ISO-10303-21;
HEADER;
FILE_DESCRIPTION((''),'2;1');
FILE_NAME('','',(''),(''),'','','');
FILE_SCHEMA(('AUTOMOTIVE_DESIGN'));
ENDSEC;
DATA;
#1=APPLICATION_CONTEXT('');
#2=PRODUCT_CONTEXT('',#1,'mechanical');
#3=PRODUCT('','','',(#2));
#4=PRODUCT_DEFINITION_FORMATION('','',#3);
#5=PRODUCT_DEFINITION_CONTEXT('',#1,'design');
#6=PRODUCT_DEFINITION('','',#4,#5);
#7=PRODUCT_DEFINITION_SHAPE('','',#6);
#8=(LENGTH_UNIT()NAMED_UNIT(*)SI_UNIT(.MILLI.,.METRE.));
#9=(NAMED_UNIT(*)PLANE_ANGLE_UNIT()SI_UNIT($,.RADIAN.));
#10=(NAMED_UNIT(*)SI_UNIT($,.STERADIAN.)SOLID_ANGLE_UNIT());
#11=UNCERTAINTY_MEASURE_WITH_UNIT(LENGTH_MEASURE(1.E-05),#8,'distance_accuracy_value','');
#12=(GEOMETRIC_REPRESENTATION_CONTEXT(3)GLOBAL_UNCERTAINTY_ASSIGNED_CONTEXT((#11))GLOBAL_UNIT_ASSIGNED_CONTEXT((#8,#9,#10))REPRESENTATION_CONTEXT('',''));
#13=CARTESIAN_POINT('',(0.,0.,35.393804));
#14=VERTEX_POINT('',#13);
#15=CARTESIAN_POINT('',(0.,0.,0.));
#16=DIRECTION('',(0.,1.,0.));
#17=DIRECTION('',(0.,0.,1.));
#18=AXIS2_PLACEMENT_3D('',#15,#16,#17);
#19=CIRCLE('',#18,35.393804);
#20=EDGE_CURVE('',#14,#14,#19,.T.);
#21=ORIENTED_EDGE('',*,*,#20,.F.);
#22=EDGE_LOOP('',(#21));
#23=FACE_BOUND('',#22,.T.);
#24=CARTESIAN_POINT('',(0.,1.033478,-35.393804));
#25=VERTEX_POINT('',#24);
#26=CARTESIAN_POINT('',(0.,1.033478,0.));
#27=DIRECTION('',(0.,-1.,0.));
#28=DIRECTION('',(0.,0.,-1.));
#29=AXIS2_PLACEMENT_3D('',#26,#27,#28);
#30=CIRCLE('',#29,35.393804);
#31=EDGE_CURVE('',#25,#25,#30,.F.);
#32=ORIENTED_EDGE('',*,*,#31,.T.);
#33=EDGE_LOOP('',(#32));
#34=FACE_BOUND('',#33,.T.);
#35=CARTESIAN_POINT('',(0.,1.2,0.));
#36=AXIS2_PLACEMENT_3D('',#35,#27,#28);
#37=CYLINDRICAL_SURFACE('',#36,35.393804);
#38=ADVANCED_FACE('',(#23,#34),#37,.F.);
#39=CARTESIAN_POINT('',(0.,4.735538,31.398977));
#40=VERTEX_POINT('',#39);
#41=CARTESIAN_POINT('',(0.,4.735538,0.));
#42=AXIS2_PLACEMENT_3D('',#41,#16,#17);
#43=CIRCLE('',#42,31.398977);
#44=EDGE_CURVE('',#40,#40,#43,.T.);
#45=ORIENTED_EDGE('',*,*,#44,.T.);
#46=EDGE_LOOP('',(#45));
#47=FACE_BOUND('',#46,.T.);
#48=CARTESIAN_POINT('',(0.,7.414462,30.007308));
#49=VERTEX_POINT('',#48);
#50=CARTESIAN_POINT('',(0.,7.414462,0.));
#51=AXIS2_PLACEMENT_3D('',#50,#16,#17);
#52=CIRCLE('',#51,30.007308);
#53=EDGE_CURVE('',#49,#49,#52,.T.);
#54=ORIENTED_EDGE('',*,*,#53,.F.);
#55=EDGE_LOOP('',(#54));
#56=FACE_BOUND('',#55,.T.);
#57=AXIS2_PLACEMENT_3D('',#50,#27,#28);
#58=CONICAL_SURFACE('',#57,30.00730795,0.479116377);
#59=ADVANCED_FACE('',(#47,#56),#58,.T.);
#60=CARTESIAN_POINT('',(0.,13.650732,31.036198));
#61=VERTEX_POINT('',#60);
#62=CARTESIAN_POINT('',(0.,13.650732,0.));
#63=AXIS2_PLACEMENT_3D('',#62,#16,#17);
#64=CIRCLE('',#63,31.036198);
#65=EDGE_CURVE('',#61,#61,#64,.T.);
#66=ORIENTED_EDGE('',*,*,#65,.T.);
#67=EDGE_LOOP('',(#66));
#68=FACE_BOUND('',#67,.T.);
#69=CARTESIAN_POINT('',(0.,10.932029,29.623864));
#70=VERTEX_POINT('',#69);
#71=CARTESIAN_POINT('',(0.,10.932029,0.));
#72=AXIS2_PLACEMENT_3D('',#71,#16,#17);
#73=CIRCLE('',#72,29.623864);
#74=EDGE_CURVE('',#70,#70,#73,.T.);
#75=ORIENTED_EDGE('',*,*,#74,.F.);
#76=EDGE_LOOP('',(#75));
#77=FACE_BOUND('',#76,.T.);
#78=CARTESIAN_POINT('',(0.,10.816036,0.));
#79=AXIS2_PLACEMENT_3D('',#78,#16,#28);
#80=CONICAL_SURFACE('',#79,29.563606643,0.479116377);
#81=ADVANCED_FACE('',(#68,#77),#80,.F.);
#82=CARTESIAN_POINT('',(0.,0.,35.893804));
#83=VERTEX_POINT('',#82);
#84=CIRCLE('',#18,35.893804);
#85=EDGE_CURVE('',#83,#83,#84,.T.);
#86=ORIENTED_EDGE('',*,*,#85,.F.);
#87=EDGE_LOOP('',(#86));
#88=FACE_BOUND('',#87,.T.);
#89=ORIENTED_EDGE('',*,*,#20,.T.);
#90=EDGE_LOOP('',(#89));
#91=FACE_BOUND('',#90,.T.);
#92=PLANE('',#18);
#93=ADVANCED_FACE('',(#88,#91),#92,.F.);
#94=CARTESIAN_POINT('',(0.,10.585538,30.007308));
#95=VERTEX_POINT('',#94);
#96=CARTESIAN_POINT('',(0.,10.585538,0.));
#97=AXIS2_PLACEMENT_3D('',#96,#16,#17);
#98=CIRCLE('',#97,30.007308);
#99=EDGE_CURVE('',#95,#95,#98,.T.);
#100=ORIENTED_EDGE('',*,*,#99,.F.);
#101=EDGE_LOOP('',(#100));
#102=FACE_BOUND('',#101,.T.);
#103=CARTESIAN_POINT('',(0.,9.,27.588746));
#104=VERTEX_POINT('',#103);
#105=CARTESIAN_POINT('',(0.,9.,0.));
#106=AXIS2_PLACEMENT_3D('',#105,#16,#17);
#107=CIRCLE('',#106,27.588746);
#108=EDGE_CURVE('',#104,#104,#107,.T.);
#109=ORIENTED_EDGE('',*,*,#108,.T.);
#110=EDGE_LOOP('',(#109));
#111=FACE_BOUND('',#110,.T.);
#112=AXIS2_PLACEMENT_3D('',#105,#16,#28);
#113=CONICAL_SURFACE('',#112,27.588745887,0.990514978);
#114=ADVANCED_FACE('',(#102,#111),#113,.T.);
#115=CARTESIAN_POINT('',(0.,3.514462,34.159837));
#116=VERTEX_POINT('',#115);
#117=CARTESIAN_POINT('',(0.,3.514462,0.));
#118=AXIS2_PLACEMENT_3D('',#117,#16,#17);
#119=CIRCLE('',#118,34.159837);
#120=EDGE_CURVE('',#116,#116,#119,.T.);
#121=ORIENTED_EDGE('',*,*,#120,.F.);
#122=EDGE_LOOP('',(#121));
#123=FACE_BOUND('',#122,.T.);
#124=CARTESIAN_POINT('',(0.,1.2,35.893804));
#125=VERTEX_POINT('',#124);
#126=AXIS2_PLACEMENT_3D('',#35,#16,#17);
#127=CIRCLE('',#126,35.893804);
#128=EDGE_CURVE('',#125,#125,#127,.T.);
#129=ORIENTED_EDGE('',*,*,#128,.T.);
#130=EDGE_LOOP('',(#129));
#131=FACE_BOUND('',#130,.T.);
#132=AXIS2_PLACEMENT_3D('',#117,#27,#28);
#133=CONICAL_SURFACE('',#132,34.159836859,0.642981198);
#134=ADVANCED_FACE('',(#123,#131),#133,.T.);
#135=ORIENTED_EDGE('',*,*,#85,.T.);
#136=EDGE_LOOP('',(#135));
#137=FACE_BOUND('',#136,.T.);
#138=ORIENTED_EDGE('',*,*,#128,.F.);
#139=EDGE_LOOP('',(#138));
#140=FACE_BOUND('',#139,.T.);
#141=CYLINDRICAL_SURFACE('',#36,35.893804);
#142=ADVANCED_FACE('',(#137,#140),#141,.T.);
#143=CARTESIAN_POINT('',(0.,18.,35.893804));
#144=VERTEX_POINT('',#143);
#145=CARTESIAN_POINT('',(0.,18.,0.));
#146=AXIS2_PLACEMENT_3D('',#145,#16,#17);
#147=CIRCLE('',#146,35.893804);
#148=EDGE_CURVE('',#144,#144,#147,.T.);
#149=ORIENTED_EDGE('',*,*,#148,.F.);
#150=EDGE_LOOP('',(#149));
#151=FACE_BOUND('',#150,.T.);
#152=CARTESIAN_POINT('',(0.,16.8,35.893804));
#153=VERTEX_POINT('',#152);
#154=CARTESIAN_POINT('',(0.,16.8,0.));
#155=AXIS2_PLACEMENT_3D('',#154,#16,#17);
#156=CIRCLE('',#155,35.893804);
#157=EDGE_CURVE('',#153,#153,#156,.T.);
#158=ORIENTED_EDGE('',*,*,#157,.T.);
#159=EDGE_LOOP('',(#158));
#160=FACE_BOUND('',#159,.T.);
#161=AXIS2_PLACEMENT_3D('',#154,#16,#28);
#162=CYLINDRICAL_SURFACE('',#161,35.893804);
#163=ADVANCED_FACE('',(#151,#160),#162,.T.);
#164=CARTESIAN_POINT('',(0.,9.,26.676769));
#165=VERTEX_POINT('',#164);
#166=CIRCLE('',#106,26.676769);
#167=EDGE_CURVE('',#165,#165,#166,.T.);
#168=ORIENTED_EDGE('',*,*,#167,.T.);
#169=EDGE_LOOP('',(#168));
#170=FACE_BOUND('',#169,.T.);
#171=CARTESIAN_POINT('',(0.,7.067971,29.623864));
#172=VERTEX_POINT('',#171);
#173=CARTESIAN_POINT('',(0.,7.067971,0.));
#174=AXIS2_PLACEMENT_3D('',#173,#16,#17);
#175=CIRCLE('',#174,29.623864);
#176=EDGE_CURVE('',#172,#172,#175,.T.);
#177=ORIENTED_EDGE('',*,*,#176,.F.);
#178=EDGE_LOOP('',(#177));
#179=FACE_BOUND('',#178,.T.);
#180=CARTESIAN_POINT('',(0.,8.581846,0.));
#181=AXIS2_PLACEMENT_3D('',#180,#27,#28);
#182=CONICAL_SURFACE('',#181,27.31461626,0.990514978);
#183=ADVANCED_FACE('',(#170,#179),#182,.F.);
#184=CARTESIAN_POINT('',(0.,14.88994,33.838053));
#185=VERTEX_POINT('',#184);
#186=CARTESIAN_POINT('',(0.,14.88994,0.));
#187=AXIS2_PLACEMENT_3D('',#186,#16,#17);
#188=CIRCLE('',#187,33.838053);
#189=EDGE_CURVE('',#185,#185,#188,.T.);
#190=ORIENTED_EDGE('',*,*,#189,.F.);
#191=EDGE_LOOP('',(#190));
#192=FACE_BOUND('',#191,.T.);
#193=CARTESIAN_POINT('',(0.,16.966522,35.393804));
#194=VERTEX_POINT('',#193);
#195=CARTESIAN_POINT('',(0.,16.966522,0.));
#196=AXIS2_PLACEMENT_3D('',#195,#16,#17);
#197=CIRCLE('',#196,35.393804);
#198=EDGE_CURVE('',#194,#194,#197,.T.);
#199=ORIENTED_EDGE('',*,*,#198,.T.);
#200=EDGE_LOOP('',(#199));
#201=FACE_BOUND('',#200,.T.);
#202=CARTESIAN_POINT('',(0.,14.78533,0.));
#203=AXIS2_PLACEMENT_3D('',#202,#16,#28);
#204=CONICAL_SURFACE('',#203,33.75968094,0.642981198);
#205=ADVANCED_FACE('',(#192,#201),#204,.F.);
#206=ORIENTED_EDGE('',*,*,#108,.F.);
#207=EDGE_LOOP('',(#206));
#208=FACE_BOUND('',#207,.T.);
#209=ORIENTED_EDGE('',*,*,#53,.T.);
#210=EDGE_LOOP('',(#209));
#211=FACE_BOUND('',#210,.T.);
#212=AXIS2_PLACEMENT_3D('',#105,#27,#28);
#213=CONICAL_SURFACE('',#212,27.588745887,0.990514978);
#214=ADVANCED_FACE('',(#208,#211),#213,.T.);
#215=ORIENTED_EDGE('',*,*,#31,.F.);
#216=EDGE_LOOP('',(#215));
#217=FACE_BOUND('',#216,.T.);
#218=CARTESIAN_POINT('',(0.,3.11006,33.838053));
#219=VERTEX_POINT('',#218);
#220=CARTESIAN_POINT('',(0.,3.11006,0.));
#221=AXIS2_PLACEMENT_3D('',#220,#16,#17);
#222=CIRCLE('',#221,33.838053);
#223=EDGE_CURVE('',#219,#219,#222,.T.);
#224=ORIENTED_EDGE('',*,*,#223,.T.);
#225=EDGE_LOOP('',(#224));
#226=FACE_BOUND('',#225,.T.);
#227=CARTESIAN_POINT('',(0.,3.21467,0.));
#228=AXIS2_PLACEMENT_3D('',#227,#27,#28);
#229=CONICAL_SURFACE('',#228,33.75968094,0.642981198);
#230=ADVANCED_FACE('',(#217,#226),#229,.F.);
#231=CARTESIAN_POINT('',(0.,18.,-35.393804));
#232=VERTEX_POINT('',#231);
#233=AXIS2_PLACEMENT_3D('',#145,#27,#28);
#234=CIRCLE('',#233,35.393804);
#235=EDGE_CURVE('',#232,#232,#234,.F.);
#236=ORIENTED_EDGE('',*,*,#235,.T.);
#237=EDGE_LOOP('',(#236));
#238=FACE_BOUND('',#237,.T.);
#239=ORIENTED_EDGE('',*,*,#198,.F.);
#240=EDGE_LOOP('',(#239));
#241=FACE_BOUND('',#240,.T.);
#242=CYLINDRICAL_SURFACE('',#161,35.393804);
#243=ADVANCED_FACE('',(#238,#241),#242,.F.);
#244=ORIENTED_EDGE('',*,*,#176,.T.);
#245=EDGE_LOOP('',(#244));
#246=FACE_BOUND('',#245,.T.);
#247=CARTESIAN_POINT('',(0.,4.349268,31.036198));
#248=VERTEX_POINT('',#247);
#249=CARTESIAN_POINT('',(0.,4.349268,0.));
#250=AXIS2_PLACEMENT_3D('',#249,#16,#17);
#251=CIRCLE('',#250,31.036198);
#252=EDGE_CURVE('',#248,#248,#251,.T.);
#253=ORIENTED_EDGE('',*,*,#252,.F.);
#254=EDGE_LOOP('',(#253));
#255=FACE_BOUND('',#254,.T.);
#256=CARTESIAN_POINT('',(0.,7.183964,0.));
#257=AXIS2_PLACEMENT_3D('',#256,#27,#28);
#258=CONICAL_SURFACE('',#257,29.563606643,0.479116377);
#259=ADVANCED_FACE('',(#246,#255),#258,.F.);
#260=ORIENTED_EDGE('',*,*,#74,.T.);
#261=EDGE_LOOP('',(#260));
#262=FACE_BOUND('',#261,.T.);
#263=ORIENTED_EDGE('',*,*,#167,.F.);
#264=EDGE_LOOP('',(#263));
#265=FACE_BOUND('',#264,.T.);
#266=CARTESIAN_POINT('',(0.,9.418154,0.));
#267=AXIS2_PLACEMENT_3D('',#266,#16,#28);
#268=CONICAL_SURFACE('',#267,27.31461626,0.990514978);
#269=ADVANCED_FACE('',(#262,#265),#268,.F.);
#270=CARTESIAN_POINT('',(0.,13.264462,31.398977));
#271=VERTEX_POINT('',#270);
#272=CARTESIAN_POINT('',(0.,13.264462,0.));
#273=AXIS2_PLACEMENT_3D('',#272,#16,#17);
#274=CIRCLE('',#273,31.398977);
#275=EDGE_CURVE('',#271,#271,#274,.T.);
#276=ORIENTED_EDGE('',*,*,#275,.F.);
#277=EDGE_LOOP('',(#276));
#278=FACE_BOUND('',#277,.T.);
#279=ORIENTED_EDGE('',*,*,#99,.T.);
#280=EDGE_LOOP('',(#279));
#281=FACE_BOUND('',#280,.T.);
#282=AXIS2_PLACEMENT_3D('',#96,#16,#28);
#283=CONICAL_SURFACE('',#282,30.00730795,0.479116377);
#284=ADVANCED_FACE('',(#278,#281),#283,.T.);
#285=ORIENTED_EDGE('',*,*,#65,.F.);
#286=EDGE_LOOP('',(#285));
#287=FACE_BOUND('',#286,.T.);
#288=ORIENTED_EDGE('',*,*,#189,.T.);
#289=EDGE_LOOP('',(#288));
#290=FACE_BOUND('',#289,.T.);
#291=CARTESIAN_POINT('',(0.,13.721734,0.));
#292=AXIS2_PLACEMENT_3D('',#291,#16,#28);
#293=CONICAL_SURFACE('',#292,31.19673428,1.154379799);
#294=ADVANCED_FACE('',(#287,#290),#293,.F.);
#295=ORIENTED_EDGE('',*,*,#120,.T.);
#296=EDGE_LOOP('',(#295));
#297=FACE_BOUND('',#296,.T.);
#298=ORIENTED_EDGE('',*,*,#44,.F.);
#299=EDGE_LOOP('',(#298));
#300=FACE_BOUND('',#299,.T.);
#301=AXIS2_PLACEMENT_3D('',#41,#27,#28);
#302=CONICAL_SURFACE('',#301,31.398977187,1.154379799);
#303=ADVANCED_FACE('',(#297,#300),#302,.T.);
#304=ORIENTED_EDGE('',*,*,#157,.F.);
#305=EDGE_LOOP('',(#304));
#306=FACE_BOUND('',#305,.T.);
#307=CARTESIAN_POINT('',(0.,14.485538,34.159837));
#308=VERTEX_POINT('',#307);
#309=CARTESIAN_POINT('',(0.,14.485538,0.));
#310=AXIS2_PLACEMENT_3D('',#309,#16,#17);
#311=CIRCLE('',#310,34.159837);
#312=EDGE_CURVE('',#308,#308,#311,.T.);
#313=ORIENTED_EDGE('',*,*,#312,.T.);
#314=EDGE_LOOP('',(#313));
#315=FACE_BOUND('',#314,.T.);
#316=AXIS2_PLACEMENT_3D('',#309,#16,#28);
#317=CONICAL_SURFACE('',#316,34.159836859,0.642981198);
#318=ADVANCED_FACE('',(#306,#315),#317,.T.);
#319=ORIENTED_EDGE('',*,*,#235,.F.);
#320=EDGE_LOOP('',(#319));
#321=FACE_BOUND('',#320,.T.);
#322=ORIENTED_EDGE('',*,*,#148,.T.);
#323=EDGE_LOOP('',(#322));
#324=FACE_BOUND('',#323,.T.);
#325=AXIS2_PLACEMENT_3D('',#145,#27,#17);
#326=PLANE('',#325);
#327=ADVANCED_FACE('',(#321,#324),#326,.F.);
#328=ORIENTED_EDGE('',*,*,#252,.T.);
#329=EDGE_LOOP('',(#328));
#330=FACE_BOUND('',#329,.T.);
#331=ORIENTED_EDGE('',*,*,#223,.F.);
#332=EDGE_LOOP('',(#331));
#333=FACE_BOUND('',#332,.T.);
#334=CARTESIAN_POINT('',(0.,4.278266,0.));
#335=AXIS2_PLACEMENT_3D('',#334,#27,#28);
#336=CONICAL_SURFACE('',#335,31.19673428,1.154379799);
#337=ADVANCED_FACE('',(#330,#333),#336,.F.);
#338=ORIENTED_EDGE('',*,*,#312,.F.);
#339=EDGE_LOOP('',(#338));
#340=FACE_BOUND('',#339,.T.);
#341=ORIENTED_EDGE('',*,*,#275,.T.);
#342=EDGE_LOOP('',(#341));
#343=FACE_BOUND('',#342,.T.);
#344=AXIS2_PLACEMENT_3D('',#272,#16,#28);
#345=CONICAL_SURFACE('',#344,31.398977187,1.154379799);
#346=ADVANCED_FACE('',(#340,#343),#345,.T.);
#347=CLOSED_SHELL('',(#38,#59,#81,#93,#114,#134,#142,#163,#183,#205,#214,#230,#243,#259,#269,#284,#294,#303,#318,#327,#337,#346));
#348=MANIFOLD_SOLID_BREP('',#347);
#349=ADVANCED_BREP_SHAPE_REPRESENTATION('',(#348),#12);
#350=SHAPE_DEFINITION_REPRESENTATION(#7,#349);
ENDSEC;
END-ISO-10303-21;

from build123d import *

# Parameters (mm, degrees)
SKETCH_1_R      = 35.893803705
EXTRUDE_1_DEPTH = 1.2
SHELL_1_T       = -0.5


with BuildPart() as part:
    # 스케치1 → 보스-돌출1 (new body)
    with BuildSketch(Plane(origin=(0, 0, 0), x_dir=(1, 0, 0), z_dir=(0, 1, 0))):
        with Locations(Location((0, 0, 0), (0, 0, 270))):
            Circle(SKETCH_1_R)
    extrude_1 = extrude(amount=EXTRUDE_1_DEPTH)

    # 스케치4 → 회전1 (revolve)
    with BuildSketch(Plane(origin=(0, 0, 0), x_dir=(0, 0, -1), z_dir=(1, 0, 0))):
        Polygon((-35.893803705, 1.2), (-34.159836859, 3.514461722), (-31.398977187, 4.735538278), (-30.00730795, 7.414461722), (-27.588745887, 9), (0, 9), (0, 1.2), align=None)
    revolve_1 = revolve(axis=Axis((0, 9, 0), (0, -1, 0)))

    # 대칭 복사1: 보스-돌출1, 회전1 across plane
    add(extrude_1.mirror(Plane(origin=(0, 9, 27.588745887), x_dir=(0, 0, 1), z_dir=(0, 1, 0))))
    add(revolve_1.mirror(Plane(origin=(0, 9, 27.588745887), x_dir=(0, 0, 1), z_dir=(0, 1, 0))))

    # 쉘1
    shell_1_openings = [part.faces().sort_by_distance(p)[0] for p in [
        (0, 18, 0),
        (0, 0, 0),
    ]]
    offset(amount=SHELL_1_T, openings=shell_1_openings, kind=Kind.INTERSECTION)


solid = part.part
